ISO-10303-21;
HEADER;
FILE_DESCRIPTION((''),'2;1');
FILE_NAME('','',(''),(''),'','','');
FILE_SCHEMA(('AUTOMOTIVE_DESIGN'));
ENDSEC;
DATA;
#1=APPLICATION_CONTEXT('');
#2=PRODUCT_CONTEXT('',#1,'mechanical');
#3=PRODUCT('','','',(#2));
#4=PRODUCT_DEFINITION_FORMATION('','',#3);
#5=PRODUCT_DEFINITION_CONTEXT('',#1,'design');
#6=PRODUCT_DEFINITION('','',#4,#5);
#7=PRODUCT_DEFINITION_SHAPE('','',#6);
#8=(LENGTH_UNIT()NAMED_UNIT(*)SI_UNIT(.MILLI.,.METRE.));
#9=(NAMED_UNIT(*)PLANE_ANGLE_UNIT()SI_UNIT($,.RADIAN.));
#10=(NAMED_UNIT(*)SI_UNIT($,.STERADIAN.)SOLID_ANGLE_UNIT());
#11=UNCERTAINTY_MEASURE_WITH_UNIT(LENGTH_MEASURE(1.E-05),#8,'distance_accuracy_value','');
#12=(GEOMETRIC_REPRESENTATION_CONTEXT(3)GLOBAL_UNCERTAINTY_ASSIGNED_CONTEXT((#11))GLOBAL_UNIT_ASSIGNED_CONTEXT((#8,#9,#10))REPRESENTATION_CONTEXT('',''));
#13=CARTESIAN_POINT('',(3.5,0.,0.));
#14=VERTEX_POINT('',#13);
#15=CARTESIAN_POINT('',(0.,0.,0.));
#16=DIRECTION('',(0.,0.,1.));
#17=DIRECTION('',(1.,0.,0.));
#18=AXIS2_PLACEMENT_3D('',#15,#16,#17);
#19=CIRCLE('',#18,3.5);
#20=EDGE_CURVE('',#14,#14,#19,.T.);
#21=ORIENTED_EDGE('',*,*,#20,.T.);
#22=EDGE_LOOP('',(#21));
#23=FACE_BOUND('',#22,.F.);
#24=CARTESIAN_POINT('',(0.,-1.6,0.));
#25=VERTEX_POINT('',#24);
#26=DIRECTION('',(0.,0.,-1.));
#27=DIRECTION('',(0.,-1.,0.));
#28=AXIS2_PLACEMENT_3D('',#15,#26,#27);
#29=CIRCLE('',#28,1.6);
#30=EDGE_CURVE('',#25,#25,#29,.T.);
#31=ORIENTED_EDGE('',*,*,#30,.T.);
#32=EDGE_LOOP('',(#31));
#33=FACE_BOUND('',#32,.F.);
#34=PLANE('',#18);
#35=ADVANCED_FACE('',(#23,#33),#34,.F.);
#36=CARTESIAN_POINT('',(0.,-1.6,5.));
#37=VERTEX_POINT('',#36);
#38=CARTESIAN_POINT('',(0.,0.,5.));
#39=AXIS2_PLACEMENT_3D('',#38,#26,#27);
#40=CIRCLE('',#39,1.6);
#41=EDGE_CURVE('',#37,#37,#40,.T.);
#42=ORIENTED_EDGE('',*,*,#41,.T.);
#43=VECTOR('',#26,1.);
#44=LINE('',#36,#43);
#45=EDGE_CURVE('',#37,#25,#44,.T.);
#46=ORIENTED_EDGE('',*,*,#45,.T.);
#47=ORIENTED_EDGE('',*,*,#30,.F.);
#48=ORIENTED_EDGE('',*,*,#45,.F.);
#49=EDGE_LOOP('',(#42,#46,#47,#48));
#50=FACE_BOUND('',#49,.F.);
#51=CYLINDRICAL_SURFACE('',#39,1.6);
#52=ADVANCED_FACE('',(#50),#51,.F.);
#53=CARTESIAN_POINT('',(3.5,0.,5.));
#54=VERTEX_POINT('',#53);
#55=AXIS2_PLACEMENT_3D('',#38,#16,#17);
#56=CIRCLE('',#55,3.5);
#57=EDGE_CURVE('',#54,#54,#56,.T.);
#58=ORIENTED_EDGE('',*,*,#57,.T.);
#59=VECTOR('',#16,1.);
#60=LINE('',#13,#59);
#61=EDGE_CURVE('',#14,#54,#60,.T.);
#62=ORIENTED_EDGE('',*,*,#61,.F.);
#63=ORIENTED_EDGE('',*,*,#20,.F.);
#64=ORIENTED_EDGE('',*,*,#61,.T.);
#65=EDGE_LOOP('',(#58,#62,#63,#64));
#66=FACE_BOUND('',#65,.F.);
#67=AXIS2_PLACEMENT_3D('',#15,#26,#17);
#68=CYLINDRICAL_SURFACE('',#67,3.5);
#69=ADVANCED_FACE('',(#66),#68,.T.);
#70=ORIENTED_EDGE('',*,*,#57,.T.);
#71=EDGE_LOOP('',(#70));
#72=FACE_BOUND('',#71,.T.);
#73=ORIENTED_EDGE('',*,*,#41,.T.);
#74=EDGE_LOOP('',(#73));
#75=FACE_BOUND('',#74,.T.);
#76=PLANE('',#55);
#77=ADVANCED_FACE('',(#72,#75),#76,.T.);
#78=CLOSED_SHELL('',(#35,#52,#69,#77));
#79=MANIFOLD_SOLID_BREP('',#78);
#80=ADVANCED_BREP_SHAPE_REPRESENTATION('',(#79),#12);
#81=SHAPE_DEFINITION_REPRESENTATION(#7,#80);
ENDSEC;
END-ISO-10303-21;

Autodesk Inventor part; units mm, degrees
ref_plane "YZ Plane" through (0, 0, 0) normal (1, 0, 0) x (0, 1, 0)
ref_plane "XZ Plane" through (0, 0, 0) normal (0, 1, 0) x (-1, 0, 0)
ref_plane "XY Plane" through (0, 0, 0) normal (0, 0, 1) x (1, 0, 0)
sketch "Boceto1" plane through (0, 0, 0) normal (0, 0, 1) x (1, 0, 0)
  circle A0 centre (0, 0) radius 3.5
  dimension "d0" = 7
extrude "Extrusión1" add sketch "Boceto1" along normal blind 5
sketch "Boceto2" plane through (0, 0, 5) normal (0, 0, 1) x (1, 0, 0)
  point P0 (0, 0)
  point P1 (0, 0)
hole "Agujero1" at (0, 0, 5) direction (0, 0, -1) diameter 3.2 end through all
properties part number "Spacer5mm"
